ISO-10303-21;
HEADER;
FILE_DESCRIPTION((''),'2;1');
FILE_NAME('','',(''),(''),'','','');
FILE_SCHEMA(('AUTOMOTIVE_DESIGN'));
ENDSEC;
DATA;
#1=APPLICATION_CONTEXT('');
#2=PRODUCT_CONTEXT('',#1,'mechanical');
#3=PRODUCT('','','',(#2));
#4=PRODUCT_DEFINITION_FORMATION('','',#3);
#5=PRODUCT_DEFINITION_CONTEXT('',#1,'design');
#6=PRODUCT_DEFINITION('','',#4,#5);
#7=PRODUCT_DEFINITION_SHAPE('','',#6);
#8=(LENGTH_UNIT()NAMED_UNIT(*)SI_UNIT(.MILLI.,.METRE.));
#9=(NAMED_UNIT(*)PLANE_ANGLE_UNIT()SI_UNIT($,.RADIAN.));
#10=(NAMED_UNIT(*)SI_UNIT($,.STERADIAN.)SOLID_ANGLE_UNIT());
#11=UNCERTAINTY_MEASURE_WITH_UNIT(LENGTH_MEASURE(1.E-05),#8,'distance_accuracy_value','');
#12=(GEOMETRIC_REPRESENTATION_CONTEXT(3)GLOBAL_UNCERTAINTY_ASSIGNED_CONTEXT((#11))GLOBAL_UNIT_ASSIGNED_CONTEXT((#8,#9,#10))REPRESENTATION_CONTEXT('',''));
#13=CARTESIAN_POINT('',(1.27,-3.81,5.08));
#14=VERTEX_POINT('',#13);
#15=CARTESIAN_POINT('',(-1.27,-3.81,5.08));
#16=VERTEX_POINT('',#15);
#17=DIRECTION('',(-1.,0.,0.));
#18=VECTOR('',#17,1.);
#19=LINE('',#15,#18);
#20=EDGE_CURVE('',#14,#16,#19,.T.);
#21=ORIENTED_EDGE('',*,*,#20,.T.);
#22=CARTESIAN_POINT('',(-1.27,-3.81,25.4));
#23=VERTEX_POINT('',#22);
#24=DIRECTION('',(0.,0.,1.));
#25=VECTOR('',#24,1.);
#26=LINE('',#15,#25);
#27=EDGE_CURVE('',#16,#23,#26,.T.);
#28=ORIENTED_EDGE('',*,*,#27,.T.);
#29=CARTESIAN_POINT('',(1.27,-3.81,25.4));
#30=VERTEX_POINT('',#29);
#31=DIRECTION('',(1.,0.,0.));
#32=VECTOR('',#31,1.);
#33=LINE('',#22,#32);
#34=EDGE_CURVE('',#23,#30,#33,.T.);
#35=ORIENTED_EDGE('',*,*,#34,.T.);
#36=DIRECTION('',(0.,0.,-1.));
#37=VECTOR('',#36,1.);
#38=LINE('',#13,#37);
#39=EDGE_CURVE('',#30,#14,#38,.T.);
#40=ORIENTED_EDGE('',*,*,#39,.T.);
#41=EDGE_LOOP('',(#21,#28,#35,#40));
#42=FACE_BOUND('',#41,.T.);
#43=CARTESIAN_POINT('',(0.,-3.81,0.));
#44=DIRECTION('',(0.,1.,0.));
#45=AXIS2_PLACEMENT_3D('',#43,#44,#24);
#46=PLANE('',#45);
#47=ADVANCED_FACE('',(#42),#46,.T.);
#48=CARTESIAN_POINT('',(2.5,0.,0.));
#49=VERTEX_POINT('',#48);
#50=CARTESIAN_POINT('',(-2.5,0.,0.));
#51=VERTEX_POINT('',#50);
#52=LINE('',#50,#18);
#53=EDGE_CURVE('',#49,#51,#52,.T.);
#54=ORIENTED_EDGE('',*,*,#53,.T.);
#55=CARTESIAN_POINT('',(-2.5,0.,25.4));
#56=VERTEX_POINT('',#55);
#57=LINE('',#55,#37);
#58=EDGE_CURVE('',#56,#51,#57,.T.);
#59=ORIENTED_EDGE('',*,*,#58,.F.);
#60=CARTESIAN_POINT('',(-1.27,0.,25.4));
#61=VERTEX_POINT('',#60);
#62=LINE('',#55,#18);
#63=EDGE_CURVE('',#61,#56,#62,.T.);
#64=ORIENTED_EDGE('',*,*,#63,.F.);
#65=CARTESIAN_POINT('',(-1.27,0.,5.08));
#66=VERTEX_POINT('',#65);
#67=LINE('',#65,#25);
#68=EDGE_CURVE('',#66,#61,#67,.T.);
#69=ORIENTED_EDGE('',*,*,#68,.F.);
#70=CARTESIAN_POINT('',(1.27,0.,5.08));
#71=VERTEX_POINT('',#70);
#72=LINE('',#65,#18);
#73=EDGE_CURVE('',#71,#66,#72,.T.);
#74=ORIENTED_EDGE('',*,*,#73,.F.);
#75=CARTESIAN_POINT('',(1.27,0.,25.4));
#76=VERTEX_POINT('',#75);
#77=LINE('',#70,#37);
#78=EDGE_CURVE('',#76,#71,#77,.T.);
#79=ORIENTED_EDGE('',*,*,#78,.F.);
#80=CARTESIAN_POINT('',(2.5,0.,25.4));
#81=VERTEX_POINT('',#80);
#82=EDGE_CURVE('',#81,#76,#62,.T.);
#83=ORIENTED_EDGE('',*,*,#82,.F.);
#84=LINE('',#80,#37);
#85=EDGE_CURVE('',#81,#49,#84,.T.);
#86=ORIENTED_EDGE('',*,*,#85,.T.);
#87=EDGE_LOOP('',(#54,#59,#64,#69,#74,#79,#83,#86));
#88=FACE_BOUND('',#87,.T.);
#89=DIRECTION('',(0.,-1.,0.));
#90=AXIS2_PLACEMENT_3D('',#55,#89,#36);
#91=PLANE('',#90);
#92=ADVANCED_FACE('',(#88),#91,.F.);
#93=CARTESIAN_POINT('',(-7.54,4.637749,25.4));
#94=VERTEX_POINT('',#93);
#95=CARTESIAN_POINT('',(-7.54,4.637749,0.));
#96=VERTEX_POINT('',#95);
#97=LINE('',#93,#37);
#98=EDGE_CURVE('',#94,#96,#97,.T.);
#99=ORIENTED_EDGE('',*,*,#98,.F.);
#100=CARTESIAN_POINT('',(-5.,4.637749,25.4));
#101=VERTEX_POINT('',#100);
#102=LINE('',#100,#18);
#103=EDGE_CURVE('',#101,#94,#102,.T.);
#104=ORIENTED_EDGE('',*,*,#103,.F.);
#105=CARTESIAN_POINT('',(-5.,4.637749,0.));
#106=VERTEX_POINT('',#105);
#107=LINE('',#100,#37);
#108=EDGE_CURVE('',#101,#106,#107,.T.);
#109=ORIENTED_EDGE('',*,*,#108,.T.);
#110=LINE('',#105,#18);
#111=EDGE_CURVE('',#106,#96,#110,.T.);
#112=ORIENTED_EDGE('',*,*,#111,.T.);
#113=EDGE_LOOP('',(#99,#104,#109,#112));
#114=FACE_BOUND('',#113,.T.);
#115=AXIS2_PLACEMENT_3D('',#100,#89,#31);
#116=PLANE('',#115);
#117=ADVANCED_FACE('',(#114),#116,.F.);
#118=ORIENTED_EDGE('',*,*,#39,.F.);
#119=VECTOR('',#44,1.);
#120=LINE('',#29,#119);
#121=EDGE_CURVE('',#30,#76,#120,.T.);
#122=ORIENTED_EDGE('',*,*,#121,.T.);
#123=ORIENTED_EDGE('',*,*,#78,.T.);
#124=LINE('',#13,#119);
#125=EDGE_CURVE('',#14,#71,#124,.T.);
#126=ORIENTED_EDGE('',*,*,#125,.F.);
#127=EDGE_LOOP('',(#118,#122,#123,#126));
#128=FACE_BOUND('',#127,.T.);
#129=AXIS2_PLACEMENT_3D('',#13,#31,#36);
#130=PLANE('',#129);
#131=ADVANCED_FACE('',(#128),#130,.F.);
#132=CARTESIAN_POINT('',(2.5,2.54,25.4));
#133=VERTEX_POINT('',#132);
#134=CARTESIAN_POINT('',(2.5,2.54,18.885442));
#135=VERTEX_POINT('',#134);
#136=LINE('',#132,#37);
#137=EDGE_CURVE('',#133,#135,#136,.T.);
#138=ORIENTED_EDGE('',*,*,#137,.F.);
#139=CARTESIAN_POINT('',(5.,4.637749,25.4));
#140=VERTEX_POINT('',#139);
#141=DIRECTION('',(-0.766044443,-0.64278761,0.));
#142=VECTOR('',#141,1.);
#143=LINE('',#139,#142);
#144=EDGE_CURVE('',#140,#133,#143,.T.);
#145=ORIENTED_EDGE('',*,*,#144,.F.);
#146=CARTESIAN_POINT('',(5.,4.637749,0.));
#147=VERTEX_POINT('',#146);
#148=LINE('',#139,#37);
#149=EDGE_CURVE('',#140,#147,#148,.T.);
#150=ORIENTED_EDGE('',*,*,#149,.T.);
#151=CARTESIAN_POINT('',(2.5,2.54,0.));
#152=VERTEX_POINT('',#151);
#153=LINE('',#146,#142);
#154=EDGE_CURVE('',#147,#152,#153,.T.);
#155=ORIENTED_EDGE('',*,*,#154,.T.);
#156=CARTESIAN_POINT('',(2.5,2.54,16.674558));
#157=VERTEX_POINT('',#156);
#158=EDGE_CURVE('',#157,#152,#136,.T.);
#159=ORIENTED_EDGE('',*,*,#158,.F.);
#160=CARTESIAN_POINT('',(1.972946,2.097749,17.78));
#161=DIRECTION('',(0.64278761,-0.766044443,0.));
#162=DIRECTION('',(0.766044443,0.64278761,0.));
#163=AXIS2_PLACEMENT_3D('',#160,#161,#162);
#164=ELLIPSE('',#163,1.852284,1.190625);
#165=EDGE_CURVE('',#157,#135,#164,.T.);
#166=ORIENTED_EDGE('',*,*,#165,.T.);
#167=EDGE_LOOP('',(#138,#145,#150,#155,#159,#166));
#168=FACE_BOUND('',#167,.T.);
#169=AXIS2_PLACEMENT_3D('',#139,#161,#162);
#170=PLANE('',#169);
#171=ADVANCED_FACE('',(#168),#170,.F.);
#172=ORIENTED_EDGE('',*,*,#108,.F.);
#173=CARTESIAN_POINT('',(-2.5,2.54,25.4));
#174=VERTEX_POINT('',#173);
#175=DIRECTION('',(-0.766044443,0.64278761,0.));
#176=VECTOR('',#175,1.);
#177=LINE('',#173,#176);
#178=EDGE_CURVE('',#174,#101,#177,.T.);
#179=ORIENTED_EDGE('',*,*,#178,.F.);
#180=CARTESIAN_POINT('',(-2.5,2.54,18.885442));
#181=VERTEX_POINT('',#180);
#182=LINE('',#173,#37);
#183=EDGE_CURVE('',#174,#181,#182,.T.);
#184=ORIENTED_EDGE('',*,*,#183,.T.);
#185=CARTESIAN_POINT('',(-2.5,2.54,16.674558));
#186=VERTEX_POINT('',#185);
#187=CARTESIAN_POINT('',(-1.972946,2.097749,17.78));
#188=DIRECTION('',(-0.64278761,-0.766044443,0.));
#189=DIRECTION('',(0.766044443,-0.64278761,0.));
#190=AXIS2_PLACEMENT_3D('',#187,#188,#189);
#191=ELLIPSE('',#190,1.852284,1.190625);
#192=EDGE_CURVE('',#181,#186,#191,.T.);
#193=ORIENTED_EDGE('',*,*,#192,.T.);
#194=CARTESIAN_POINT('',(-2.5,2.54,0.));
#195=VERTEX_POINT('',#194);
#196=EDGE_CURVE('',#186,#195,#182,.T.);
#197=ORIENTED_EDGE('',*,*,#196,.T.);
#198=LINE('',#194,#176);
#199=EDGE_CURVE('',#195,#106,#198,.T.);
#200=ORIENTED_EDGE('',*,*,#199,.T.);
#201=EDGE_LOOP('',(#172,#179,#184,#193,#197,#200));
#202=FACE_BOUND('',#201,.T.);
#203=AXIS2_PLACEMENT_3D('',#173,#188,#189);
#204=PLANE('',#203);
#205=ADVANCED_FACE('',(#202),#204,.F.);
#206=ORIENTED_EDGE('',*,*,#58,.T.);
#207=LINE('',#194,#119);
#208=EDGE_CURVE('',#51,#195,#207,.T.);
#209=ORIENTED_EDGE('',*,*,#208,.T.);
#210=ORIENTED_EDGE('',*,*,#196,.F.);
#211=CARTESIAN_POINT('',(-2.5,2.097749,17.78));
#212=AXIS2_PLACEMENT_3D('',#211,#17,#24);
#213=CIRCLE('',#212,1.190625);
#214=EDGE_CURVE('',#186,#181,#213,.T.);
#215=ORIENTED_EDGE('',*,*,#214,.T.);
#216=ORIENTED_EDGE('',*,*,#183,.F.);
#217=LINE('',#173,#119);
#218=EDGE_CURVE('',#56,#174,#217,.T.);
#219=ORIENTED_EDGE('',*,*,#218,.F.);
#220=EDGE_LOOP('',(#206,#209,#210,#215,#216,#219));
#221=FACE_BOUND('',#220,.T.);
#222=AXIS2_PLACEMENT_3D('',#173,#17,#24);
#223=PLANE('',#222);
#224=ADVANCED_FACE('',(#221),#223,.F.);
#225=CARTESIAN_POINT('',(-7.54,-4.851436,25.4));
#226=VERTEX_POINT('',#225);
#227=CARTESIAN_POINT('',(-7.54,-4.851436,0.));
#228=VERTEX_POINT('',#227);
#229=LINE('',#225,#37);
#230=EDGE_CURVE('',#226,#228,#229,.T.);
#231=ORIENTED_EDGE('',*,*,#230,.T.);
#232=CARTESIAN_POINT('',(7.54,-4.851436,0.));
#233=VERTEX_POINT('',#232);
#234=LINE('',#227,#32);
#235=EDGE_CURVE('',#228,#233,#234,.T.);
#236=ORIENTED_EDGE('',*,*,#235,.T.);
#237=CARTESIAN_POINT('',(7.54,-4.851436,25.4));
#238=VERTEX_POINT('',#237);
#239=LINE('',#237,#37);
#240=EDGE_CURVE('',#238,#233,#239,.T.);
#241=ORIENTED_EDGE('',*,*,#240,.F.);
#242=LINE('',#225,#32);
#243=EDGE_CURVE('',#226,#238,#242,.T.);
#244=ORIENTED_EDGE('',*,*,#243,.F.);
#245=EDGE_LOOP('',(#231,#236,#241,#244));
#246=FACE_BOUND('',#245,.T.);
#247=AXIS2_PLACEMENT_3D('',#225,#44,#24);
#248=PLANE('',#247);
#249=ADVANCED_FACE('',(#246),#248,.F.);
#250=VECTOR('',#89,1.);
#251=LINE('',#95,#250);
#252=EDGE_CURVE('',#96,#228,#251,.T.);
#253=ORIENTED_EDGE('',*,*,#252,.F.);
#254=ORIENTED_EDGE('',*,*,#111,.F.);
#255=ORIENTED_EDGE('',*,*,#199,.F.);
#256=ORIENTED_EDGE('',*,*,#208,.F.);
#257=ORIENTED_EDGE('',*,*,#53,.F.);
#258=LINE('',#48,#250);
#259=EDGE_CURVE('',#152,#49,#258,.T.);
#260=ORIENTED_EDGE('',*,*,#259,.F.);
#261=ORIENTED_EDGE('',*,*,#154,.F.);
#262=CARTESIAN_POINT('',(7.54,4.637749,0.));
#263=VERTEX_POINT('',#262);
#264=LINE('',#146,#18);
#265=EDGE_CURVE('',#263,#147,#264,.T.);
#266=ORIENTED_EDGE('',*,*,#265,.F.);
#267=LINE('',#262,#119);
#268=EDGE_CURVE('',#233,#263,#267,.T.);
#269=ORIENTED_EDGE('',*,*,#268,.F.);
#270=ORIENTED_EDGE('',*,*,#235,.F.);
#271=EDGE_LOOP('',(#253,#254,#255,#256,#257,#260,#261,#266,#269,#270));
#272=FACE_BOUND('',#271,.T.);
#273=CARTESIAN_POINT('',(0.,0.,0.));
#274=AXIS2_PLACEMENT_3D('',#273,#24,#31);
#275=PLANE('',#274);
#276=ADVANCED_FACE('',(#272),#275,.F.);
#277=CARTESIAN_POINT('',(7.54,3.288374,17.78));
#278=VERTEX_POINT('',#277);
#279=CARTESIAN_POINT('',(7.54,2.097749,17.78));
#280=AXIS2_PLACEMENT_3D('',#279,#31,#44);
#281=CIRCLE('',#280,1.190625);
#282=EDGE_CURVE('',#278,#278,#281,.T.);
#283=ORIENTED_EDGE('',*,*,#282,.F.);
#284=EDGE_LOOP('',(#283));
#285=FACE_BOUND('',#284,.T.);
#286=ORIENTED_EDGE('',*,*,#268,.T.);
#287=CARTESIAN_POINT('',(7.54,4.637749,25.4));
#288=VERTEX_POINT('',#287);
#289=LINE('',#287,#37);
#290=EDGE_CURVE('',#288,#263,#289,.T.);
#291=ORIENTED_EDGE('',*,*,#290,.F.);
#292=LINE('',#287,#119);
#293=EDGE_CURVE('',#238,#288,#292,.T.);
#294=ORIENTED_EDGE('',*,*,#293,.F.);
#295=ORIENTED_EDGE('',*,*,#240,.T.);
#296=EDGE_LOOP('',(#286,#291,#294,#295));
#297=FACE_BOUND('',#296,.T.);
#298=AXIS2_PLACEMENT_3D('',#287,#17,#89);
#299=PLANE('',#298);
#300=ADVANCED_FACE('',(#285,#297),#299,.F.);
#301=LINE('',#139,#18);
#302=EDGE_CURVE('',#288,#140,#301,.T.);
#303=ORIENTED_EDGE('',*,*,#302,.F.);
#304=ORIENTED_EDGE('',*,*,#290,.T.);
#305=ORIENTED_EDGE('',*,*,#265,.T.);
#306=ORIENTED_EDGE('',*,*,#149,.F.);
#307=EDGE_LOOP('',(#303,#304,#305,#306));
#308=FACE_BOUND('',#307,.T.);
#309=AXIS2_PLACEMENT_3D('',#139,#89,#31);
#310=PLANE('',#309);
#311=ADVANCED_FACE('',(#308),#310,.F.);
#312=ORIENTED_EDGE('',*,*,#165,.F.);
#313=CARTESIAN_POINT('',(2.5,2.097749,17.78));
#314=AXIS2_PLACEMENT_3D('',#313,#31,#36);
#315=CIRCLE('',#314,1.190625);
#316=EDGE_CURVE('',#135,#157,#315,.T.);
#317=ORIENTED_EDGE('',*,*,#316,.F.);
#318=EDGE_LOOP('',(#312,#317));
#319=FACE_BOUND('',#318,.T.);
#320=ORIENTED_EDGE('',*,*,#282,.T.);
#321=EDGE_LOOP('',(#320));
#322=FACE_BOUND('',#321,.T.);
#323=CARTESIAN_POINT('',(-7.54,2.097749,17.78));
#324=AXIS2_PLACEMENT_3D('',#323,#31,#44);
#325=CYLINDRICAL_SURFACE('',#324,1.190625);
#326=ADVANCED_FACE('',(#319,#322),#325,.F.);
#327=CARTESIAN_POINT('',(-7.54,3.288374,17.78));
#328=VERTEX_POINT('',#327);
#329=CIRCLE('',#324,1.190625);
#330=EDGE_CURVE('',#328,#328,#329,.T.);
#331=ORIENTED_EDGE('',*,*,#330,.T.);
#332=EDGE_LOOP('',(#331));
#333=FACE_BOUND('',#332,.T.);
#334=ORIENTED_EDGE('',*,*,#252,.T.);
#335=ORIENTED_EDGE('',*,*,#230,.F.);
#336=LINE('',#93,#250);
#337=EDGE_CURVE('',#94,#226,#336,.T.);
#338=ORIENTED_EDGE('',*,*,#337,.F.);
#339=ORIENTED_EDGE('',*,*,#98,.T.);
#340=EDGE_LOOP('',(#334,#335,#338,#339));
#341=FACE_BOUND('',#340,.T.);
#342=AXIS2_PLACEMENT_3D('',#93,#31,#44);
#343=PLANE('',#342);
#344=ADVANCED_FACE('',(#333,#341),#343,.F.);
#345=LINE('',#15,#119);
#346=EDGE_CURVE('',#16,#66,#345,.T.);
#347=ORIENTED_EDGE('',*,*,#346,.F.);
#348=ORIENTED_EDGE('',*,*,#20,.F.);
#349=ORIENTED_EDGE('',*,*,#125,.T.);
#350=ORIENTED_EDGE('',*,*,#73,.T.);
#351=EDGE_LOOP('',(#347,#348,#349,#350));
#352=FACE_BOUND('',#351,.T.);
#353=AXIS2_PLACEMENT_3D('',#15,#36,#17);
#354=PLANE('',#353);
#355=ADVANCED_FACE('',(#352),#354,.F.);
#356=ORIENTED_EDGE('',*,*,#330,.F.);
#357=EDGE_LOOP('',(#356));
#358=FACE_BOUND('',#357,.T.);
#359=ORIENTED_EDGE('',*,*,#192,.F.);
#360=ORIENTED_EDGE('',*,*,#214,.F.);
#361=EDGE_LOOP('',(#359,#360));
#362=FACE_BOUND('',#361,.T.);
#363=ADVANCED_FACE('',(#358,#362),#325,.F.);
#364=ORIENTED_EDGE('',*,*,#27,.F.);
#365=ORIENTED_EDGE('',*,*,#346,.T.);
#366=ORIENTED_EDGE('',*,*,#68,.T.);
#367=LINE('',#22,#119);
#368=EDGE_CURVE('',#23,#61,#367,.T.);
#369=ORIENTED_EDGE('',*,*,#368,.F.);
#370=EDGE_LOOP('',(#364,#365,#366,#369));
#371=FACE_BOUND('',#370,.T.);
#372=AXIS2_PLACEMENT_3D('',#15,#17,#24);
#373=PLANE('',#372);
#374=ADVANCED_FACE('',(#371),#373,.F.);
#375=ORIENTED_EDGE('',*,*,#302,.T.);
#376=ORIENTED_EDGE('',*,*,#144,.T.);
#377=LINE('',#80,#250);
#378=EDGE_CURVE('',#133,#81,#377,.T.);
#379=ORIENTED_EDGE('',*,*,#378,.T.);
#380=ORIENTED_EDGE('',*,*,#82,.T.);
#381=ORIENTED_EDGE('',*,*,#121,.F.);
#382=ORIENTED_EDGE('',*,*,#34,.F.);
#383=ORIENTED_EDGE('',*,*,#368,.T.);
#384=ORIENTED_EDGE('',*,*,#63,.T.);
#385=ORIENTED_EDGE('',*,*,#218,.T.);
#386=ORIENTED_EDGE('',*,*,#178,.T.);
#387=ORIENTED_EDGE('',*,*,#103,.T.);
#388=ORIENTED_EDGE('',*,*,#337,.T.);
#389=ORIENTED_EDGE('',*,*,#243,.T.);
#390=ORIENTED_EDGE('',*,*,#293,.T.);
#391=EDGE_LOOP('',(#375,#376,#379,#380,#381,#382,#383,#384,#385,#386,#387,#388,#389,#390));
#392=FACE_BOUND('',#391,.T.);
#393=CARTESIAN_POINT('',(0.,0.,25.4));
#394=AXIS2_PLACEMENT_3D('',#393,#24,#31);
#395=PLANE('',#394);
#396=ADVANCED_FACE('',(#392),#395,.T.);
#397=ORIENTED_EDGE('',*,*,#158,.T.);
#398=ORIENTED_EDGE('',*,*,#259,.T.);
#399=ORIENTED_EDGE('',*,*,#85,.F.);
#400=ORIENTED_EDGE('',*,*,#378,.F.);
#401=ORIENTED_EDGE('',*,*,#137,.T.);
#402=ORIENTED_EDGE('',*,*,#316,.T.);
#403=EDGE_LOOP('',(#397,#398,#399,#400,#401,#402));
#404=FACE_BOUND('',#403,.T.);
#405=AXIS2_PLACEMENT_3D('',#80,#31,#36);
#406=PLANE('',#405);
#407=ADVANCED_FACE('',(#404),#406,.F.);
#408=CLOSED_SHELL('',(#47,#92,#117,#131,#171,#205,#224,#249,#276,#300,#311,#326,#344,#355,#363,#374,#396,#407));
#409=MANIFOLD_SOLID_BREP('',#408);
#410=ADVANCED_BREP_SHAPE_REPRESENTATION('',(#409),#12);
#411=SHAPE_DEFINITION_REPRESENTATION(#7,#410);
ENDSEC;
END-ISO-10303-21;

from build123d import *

# Parameters (mm, degrees)
BOSS_EXTRUDE2_DEPTH = 25.4
SKETCH3_W           = 2.54
SKETCH3_H           = 20.32
CUT_EXTRUDE1_DEPTH  = 3.81
SKETCH4_R           = 1.190625
CUT_EXTRUDE2_DEPTH  = 30.934976745


with BuildPart() as part:
    # Sketch2 → Boss-Extrude2 (new body)
    with BuildSketch(Plane.XY):
        Polygon((-5, 4.637749078), (-7.54, 4.637749078), (-7.54, -4.851436151), (7.54, -4.851436151), (7.54, 4.637749078), (5, 4.637749078), (2.5, 2.54), (2.5, 0), (-2.5, 0), (-2.5, 2.54), align=None)
    extrude(amount=BOSS_EXTRUDE2_DEPTH)

    # Sketch3 → Cut-Extrude1 (cut)
    with BuildSketch(Plane(origin=(0, 0, 0), x_dir=(1, 0, 0), z_dir=(0, 1, 0))):
        with Locations((0, -15.24)):
            Rectangle(SKETCH3_W, SKETCH3_H)
    extrude(amount=-CUT_EXTRUDE1_DEPTH, mode=Mode.SUBTRACT)

    # Sketch4 → Cut-Extrude2 (cut, through all)
    with BuildSketch(Plane(origin=(7.54, 0, 0), x_dir=(0, 0, -1), z_dir=(1, 0, 0))):
        with Locations(Location((-17.78, 2.097749078, 0), (0, 0, 90))):
            Circle(SKETCH4_R)
    extrude(amount=-CUT_EXTRUDE2_DEPTH, mode=Mode.SUBTRACT)


solid = part.part
